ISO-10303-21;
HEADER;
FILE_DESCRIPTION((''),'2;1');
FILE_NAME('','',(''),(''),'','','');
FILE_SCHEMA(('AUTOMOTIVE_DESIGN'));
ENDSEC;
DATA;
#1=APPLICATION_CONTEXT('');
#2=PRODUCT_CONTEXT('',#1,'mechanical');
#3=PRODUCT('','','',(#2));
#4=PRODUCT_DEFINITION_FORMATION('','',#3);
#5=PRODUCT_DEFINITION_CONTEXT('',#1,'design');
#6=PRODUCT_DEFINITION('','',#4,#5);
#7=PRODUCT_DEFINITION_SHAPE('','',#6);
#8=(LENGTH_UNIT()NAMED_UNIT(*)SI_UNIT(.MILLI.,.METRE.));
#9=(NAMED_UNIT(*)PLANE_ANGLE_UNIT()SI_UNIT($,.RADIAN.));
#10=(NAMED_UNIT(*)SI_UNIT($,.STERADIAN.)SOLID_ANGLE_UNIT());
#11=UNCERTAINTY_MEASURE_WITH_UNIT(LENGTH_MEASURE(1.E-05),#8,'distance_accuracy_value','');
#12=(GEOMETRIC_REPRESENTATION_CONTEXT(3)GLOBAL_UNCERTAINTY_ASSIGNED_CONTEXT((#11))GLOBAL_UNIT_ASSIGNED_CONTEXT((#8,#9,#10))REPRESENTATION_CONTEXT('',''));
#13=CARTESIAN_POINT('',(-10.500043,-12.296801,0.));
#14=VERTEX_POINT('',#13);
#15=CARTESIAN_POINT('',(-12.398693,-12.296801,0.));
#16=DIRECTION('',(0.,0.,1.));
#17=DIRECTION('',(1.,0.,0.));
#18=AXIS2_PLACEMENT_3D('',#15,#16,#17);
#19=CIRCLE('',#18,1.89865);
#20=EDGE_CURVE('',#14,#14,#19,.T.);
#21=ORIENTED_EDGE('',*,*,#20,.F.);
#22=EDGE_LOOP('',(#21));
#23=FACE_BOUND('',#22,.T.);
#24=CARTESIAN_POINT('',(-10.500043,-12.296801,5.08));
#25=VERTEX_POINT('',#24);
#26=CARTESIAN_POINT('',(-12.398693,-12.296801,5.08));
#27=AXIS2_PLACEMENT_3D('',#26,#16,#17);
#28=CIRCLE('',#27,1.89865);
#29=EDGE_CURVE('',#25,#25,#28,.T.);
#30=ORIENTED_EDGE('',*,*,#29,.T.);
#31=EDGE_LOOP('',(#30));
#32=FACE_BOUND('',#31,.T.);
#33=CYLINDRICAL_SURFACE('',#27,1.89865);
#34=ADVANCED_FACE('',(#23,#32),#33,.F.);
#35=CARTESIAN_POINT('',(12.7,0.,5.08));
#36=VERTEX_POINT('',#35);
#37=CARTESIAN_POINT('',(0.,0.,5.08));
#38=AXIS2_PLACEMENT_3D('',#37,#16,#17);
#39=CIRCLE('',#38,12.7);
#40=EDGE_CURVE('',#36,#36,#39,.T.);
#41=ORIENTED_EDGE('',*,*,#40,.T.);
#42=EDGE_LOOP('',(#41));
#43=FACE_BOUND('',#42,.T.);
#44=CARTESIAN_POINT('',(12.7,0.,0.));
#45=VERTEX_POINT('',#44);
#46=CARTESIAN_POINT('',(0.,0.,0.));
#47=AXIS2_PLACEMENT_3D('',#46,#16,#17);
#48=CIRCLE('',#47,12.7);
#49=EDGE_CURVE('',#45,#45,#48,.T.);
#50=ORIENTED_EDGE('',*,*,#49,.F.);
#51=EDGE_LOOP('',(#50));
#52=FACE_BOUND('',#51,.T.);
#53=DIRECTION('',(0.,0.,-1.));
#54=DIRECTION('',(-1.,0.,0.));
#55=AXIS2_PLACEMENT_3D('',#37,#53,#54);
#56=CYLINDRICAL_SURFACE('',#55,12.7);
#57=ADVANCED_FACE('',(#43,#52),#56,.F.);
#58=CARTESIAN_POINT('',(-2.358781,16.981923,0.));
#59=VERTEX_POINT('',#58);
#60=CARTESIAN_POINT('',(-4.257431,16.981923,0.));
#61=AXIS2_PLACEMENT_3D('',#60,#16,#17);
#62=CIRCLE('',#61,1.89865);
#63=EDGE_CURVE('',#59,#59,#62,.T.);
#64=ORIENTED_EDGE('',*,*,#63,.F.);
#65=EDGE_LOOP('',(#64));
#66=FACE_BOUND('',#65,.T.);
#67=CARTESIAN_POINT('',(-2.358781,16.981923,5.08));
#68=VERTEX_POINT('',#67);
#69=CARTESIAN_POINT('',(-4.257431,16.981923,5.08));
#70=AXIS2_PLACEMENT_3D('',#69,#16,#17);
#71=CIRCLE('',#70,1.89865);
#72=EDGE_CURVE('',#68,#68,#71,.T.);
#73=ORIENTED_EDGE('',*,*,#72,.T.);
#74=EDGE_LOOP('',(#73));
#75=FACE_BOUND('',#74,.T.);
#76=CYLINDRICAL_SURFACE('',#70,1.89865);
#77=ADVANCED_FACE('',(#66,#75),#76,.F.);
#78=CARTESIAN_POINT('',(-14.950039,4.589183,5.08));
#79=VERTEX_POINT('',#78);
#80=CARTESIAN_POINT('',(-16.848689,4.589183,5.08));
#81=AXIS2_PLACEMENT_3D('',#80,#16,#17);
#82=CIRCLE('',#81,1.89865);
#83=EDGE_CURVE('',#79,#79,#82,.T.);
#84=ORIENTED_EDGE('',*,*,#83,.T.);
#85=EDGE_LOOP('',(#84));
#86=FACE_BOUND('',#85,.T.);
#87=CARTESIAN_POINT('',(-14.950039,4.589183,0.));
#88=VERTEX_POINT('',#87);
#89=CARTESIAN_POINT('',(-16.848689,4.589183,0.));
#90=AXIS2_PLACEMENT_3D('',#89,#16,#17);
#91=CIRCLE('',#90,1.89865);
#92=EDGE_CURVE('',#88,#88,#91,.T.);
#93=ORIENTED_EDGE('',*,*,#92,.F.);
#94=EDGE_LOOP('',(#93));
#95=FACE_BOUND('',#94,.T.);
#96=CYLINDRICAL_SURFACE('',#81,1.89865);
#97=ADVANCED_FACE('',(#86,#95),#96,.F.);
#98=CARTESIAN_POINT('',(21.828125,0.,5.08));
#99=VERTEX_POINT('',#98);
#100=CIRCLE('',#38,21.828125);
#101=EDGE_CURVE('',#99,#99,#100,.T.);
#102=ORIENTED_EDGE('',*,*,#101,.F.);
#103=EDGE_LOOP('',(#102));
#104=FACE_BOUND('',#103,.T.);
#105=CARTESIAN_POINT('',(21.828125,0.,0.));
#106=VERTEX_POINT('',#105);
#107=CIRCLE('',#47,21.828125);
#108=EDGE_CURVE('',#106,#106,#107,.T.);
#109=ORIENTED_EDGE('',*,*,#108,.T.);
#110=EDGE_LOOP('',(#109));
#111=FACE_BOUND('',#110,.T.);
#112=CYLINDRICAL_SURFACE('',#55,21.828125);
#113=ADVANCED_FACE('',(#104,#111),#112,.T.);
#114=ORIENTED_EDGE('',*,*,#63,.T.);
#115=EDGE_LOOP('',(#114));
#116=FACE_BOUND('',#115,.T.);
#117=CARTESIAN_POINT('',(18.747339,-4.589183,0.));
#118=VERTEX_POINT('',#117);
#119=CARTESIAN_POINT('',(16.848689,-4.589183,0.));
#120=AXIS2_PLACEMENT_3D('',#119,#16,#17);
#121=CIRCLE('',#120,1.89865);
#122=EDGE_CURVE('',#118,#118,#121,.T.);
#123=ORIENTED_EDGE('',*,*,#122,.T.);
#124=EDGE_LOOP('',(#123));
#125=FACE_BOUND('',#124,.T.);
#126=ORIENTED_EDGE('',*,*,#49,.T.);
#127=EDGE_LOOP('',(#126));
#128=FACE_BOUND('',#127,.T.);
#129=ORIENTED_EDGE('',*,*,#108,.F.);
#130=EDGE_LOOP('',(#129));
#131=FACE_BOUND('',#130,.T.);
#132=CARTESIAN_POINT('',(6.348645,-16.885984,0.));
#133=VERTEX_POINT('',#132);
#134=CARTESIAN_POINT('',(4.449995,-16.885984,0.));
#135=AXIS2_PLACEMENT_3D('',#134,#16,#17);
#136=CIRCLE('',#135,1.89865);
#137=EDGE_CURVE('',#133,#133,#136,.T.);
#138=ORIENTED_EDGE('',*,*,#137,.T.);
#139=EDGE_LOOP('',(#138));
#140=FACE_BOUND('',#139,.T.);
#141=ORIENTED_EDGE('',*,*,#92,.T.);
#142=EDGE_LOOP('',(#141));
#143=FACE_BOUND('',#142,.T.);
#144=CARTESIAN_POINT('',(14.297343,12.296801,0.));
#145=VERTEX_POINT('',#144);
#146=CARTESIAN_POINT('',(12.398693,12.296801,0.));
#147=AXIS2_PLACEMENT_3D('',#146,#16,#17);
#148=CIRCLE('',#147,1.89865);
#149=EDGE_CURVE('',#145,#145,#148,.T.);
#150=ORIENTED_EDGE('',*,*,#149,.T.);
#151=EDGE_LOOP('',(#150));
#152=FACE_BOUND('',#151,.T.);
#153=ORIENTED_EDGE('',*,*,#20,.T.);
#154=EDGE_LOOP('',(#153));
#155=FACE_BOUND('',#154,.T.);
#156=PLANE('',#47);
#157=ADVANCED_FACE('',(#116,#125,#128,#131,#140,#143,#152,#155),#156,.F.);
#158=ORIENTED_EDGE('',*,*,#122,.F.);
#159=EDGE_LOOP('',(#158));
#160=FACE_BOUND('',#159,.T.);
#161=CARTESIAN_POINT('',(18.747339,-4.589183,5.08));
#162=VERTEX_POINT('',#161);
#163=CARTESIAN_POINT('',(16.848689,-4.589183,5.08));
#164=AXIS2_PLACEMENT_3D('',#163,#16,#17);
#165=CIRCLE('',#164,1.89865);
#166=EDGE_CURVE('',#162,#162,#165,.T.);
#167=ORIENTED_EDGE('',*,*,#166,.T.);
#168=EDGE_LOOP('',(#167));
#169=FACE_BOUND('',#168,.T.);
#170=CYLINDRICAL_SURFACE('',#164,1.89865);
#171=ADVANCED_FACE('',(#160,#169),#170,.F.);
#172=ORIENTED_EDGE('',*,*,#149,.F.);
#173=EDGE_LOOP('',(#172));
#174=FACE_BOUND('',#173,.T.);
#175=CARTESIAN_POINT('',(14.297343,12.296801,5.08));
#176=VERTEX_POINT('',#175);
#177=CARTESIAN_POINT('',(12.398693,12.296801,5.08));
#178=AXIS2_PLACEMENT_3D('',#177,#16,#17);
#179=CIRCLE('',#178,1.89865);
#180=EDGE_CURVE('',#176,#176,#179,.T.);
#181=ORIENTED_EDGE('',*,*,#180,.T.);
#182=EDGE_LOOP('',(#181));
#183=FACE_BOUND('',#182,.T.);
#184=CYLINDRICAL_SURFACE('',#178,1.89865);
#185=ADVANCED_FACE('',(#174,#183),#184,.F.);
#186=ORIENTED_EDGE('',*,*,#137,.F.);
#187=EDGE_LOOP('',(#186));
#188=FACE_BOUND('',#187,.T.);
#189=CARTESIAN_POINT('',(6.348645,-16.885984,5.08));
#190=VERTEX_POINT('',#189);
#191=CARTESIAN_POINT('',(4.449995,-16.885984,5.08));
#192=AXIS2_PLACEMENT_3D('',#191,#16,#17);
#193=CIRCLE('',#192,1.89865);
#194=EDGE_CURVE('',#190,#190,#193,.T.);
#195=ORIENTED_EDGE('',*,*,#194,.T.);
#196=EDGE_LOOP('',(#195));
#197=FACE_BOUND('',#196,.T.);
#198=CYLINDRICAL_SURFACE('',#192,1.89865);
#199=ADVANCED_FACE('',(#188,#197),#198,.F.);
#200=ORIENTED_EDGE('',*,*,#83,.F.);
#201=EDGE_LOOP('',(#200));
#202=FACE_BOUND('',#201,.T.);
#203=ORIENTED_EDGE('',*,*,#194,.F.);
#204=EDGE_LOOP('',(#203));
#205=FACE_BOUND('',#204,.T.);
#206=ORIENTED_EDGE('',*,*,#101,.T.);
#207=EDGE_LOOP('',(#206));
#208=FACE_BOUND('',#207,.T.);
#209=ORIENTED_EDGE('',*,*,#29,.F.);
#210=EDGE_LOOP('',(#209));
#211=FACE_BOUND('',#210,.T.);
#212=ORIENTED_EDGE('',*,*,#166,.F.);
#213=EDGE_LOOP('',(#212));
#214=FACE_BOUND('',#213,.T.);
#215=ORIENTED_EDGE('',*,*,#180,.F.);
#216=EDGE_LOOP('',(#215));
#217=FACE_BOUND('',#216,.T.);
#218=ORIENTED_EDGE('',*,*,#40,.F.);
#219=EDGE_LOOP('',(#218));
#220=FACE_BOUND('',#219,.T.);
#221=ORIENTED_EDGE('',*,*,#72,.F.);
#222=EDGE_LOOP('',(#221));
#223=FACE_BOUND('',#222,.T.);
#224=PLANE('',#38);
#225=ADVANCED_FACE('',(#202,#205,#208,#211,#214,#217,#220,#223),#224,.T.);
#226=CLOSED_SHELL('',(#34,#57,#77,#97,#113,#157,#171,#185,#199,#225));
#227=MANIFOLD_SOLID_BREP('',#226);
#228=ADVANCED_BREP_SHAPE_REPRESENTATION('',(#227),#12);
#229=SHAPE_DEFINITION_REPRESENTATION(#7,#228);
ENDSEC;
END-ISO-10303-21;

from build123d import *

# Parameters (mm, degrees)
SKETCH1_R             = 21.828125
SKETCH1_R_2           = 12.7
BOSS_EXTRUDE1_DEPTH   = 5.08
F_6_CLEARANCE_HOLE1_D = 3.7973


with BuildPart() as part:
    # Sketch1 → Boss-Extrude1 (new body)
    with BuildSketch(Plane.XY):
        Circle(SKETCH1_R)
        Circle(SKETCH1_R_2, mode=Mode.SUBTRACT)
    extrude(amount=BOSS_EXTRUDE1_DEPTH)

    # #6 Clearance Hole1 (through all)
    with Locations(Plane.XY.offset(5.08)):
        with Locations((-4.257431401, 16.98192349), (12.398693186, 12.296800947), (16.848688598, -4.589182799), (4.449995412, -16.885983746), (-12.398693186, -12.296800947), (-16.848688598, 4.589182799)):
            Hole(F_6_CLEARANCE_HOLE1_D / 2)


solid = part.part
